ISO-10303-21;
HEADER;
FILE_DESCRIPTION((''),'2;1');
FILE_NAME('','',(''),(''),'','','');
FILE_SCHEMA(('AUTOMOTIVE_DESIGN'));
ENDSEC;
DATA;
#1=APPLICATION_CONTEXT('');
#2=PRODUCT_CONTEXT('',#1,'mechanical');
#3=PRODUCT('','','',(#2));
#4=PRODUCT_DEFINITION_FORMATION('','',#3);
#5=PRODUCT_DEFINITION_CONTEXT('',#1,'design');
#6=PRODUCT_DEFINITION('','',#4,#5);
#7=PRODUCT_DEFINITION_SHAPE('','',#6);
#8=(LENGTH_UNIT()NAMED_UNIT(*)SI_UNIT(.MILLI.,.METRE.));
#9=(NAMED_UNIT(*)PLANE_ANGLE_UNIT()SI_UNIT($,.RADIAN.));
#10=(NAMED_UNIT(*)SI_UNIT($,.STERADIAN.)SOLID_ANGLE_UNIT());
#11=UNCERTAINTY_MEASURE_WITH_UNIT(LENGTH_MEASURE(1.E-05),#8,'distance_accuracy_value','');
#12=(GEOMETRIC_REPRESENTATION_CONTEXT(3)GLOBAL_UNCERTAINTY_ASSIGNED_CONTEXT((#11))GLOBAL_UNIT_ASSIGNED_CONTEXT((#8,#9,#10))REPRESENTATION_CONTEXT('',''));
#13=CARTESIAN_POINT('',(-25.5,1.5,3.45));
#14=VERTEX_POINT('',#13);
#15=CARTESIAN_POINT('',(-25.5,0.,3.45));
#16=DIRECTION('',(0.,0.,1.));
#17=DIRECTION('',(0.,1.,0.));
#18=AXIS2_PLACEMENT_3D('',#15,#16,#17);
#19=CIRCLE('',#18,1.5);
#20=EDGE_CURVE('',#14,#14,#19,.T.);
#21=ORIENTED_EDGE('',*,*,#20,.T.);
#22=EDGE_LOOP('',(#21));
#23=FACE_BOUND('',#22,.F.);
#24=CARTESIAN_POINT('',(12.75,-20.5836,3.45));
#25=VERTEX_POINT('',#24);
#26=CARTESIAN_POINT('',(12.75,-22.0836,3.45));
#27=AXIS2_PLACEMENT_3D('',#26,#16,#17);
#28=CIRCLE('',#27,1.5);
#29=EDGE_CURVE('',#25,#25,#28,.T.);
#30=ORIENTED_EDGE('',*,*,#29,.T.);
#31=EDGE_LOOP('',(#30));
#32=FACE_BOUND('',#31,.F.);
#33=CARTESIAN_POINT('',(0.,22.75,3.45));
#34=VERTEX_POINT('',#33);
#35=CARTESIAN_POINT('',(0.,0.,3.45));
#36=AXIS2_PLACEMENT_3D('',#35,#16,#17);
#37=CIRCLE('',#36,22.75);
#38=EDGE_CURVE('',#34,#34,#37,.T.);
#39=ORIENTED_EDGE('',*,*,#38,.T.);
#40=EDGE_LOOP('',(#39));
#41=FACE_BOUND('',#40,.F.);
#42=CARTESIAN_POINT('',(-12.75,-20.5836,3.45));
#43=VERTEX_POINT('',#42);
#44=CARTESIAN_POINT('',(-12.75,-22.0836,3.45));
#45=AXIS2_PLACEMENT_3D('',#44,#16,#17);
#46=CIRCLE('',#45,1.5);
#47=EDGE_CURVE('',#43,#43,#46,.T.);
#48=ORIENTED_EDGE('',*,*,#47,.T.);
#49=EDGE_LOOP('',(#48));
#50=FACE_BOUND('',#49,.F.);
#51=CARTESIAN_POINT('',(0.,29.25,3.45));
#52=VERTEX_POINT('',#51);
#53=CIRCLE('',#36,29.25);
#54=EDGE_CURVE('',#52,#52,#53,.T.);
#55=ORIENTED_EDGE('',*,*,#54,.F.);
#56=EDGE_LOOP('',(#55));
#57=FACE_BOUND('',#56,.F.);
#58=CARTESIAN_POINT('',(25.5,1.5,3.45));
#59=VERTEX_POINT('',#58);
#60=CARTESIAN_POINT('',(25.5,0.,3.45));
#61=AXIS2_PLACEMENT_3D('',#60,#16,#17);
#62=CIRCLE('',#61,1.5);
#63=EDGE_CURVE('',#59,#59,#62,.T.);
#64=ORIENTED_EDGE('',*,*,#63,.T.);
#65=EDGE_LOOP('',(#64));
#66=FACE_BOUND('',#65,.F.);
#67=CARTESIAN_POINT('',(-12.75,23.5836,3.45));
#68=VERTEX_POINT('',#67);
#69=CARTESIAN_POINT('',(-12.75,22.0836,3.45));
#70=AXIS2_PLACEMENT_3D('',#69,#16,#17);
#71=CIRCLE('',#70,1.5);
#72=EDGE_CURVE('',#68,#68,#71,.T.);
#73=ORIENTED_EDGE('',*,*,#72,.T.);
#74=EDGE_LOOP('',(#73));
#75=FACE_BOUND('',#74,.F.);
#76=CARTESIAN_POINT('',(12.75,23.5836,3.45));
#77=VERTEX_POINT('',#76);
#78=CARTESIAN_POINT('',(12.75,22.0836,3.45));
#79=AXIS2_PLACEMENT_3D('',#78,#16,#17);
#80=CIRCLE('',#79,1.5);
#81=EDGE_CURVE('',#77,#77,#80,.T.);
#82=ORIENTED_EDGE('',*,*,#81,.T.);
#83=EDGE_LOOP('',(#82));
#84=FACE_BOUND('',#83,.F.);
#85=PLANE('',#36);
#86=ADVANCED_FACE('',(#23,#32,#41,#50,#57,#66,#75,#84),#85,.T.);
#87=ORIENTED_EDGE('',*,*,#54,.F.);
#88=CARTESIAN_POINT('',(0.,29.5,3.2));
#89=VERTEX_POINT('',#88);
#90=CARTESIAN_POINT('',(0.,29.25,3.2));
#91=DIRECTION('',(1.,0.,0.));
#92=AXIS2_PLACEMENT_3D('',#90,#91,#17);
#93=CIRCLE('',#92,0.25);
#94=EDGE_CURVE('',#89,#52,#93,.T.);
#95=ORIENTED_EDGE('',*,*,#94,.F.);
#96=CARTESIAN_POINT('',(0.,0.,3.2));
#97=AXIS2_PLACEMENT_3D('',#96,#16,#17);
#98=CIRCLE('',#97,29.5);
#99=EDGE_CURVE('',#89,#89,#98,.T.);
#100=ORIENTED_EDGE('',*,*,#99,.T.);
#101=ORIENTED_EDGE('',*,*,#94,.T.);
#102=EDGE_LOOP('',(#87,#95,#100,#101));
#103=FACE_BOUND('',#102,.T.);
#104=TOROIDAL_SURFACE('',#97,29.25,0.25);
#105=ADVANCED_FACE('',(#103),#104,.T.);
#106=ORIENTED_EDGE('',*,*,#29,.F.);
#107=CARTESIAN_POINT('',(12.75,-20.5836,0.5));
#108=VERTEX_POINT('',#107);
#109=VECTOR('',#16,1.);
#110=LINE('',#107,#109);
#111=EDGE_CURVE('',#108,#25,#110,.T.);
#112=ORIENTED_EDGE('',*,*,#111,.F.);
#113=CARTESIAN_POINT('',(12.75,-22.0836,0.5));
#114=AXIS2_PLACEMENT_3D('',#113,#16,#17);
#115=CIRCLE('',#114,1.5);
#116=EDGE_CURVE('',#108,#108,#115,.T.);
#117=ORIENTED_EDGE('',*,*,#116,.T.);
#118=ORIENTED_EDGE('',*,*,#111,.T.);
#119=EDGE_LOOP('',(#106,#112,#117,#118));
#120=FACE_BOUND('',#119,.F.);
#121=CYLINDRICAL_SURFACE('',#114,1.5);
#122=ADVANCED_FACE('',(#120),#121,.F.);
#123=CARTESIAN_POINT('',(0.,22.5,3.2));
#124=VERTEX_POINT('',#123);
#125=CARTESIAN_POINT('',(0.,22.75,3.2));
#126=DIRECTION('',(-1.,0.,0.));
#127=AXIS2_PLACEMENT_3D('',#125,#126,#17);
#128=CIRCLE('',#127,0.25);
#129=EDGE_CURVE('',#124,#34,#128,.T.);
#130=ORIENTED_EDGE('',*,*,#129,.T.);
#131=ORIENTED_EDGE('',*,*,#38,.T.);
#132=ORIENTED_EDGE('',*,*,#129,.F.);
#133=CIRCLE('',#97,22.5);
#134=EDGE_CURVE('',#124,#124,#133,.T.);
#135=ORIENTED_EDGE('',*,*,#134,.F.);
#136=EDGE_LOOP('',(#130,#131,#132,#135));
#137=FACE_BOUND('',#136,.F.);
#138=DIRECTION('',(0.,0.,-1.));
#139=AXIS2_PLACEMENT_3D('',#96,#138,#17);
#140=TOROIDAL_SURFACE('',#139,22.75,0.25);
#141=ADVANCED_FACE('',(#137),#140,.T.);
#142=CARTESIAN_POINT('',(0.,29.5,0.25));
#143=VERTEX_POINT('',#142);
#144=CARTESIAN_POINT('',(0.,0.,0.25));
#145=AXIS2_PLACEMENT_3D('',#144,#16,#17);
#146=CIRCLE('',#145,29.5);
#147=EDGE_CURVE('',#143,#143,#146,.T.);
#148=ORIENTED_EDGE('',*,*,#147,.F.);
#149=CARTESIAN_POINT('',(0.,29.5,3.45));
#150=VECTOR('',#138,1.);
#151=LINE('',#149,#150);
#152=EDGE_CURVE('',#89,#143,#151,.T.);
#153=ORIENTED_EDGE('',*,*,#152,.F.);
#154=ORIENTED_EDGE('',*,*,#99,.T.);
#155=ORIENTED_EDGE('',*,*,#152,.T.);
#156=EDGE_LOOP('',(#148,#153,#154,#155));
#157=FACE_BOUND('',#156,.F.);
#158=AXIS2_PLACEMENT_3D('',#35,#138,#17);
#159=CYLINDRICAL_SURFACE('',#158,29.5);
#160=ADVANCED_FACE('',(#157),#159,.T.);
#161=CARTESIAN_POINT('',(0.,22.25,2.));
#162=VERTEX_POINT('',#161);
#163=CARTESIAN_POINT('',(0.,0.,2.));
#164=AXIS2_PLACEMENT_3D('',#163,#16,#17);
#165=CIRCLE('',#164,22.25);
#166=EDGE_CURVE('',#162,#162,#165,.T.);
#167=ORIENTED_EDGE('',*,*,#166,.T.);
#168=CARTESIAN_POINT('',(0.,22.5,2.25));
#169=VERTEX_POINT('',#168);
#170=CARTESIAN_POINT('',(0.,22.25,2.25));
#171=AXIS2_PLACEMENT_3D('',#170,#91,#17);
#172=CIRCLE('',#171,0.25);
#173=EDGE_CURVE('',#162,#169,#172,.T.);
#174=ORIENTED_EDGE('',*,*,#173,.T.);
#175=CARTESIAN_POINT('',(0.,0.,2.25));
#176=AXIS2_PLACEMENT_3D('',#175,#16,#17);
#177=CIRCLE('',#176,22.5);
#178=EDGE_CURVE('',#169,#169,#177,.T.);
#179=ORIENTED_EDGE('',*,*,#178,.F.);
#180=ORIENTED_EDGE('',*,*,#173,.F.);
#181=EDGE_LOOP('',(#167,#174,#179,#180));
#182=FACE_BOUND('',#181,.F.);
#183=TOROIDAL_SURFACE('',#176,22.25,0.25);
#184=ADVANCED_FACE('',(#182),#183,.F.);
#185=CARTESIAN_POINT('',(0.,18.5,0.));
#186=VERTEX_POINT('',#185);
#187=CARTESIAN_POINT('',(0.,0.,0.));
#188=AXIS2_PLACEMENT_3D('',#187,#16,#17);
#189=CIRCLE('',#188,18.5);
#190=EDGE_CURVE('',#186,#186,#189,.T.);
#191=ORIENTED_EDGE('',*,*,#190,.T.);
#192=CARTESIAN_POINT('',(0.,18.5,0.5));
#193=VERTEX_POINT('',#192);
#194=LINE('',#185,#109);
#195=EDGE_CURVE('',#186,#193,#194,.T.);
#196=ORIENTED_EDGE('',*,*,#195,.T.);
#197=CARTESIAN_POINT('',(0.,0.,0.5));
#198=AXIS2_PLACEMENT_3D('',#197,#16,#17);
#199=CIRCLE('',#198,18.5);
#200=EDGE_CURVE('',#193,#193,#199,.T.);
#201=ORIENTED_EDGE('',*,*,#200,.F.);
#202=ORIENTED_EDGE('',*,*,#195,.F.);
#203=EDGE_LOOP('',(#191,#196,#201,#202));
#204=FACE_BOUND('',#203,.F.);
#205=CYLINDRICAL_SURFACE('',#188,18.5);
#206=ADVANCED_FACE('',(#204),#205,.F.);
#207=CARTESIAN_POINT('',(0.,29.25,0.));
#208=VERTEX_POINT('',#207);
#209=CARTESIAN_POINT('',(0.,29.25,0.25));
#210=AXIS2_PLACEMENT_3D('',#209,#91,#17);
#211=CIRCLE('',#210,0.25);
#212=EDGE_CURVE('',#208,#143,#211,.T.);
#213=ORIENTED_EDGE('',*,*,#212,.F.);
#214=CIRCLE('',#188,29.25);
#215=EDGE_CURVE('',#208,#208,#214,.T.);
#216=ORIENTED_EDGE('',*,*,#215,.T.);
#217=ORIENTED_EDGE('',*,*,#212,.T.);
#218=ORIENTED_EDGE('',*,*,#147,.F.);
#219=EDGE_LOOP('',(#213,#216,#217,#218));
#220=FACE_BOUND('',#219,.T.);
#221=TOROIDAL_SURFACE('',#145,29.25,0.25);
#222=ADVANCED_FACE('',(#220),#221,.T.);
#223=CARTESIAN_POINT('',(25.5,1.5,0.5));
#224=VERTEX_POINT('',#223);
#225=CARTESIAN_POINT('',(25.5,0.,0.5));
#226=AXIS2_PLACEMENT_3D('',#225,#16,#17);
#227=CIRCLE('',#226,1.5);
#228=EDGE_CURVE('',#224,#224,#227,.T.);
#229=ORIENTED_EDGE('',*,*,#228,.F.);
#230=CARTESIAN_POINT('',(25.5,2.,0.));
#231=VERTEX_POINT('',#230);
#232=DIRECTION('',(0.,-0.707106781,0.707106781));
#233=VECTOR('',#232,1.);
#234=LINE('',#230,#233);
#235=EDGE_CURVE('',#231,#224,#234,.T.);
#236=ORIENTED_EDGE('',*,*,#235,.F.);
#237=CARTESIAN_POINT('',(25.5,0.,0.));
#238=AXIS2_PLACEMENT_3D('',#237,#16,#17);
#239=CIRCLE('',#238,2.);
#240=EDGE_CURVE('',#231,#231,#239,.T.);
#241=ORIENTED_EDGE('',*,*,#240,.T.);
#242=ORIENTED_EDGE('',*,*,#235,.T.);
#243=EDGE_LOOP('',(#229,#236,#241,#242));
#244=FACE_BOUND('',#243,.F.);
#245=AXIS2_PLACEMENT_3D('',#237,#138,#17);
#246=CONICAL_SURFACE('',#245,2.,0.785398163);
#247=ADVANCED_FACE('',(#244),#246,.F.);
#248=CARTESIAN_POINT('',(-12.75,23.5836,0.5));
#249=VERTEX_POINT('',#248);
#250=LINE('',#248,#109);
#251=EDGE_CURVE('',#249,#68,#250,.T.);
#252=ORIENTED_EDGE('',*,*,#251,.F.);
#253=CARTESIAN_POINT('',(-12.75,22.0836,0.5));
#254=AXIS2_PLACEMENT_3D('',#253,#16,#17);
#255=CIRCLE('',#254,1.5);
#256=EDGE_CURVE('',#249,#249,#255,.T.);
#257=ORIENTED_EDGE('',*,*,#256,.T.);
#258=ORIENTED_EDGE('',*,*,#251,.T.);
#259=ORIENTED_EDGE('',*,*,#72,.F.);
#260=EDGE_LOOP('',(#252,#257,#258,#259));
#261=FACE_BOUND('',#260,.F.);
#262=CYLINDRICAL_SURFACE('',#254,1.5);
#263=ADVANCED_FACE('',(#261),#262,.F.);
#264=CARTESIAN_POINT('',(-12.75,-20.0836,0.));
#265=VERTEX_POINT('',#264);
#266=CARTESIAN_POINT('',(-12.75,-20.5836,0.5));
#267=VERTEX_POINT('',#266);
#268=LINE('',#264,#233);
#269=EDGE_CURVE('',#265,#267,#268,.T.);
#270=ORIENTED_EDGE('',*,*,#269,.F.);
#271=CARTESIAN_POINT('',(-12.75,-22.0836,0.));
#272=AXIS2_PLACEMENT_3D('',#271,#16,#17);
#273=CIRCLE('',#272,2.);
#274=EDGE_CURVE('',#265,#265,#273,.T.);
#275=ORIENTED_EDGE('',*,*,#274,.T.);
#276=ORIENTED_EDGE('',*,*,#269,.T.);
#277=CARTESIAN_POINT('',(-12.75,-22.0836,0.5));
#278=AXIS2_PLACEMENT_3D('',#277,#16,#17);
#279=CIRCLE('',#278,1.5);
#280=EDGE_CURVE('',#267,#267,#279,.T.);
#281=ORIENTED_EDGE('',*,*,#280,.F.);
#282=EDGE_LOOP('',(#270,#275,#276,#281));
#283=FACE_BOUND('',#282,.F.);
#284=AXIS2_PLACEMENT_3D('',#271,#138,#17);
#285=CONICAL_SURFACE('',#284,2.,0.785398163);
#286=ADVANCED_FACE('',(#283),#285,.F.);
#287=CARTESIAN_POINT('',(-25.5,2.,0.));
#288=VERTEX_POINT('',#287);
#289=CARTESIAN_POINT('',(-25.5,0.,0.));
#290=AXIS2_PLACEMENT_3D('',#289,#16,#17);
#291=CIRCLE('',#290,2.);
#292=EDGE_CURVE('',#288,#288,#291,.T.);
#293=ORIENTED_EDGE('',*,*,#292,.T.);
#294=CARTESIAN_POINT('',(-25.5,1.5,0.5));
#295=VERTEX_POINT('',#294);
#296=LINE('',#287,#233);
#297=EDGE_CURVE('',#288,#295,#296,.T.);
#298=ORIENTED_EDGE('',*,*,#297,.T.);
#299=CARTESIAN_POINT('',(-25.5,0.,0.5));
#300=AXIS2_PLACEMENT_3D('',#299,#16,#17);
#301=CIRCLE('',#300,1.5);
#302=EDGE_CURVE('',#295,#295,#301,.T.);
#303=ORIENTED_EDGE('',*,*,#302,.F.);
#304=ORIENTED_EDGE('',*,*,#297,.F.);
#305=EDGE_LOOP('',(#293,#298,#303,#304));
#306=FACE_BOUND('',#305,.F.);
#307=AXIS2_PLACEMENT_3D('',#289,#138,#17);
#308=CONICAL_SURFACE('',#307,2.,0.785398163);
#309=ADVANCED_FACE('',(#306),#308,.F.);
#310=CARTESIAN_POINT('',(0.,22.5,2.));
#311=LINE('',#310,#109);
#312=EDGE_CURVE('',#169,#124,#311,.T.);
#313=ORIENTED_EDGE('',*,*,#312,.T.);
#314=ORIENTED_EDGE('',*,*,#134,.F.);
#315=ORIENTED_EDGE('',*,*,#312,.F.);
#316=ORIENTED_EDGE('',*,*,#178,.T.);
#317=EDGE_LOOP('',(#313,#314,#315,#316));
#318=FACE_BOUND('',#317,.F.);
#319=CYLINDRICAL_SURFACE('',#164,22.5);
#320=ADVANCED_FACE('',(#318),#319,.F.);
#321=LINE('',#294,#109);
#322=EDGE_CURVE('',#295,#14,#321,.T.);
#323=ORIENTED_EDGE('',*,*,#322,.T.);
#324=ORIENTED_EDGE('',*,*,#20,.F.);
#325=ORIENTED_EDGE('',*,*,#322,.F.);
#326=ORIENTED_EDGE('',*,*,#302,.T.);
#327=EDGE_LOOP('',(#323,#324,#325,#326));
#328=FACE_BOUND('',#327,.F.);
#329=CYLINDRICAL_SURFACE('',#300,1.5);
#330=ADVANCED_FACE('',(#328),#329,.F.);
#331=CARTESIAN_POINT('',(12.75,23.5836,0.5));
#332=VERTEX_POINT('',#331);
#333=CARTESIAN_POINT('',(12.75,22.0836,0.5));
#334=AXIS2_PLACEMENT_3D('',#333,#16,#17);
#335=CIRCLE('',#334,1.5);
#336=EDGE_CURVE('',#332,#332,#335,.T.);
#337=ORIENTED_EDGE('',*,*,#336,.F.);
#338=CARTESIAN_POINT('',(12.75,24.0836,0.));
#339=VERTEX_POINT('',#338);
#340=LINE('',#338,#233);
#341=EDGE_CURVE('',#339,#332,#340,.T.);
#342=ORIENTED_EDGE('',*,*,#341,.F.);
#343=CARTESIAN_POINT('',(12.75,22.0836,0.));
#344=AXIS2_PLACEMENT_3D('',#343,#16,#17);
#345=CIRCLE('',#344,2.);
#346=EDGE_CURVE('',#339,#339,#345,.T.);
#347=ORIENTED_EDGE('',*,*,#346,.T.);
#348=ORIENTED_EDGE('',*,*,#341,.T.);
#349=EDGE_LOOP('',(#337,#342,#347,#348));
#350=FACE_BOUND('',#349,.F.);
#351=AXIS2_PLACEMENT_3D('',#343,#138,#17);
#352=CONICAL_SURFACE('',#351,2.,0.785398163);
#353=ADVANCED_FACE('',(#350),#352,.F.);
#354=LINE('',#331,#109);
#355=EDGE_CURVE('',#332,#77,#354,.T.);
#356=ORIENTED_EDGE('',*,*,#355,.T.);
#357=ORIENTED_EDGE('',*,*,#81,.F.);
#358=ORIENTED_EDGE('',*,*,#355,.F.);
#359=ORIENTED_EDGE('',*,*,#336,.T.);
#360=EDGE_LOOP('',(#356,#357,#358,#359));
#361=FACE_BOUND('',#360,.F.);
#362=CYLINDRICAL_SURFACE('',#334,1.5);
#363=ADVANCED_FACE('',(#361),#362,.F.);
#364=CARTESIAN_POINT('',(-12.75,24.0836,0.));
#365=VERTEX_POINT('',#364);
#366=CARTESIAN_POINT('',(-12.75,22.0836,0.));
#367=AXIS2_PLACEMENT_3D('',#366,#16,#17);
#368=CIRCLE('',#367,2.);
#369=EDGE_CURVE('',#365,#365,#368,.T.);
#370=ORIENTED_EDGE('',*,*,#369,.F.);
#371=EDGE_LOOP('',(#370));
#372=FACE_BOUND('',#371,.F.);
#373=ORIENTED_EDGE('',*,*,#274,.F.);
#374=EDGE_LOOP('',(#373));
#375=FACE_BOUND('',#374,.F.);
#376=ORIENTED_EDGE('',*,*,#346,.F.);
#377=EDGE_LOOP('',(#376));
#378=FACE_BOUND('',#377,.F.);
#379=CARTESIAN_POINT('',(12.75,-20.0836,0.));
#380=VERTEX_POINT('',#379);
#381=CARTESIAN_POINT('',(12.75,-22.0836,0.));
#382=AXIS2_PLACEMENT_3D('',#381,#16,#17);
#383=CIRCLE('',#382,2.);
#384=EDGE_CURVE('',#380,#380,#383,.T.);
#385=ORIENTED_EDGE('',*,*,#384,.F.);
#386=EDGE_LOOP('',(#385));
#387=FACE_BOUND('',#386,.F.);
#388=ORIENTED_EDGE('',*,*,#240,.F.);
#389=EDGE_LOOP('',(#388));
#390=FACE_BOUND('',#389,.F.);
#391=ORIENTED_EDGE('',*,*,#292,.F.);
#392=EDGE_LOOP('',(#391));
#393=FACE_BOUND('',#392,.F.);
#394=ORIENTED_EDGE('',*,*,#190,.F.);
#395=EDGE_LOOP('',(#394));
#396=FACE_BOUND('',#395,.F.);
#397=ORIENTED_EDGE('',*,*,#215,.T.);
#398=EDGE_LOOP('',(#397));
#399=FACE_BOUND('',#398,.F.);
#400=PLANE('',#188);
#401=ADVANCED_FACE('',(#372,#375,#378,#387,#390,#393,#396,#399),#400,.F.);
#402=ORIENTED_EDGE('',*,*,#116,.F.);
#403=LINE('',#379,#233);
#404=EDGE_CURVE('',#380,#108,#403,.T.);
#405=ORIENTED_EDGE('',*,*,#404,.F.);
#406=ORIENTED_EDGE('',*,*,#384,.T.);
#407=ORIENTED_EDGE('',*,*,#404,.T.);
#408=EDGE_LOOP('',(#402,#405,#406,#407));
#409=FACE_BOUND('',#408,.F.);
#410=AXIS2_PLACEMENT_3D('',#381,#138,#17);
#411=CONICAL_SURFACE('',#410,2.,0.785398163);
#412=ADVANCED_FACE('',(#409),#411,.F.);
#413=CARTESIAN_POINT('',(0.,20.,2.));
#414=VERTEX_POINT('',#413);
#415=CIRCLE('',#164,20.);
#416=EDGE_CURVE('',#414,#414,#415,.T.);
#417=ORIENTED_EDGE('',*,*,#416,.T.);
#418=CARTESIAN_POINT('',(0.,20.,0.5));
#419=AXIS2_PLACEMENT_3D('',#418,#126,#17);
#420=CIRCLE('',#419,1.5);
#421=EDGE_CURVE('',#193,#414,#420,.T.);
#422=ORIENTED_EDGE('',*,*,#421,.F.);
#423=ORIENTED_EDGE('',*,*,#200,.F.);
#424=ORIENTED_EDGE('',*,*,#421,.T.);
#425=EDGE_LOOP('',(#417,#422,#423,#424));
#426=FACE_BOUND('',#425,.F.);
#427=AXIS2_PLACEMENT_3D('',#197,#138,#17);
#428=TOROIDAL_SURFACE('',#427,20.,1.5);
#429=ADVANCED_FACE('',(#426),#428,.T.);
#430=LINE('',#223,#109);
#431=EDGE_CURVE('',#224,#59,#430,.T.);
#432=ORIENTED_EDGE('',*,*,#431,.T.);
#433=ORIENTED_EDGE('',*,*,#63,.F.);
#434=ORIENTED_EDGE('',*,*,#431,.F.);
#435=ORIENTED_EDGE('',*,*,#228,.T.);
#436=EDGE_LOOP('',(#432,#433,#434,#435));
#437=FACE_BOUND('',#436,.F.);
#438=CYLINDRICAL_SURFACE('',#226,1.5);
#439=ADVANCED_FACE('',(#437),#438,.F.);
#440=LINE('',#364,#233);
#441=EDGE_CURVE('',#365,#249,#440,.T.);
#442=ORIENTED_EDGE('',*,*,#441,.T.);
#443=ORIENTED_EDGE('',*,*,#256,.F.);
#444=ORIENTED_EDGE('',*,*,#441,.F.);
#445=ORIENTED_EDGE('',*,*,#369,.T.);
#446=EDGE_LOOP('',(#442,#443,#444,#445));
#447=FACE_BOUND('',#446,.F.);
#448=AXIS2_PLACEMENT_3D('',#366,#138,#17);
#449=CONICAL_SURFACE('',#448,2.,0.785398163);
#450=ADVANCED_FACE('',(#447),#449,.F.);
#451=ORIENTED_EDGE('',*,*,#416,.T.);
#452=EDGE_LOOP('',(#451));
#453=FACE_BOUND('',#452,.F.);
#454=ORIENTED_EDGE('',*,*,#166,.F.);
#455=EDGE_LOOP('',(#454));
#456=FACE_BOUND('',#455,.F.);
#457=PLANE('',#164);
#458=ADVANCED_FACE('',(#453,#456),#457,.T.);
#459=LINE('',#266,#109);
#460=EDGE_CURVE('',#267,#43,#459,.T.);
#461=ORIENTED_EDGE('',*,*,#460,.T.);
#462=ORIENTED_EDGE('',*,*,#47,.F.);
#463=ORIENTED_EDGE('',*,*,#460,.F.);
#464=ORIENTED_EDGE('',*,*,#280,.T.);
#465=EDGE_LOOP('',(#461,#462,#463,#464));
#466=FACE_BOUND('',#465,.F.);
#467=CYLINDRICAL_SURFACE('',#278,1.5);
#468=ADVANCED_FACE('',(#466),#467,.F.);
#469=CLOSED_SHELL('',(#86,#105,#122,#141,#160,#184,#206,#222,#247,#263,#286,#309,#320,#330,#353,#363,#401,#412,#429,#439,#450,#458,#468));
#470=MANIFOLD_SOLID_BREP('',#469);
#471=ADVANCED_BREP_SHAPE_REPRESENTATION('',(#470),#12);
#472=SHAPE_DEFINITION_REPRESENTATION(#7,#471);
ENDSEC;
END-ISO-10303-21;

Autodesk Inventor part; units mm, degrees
ref_plane "YZ Plane" through (0, 0, 0) normal (1, 0, 0) x (0, 1, 0)
ref_plane "XZ Plane" through (0, 0, 0) normal (0, 1, 0) x (-1, 0, 0)
ref_plane "XY Plane" through (0, 0, 0) normal (0, 0, 1) x (1, 0, 0)
sketch "Skizze1" plane through (0, 0, 0) normal (1, 0, 0) x (0, 1, 0)
  line L0 (0, 0) -> (0, 15)
  line L1 (18.5, 0) -> (18.5, 2)
  line L2 (18.5, 2) -> (22.5, 2)
  line L3 (22.5, 2) -> (22.5, 3.45)
  line L4 (22.5, 3.45) -> (29.5, 3.45)
  line L5 (29.5, 3.45) -> (29.5, 0)
  line L6 (29.5, 0) -> (18.5, 0)
  point P0 (24, 0)
  dimension "d0" = 15
  dimension "d1" = 45
  dimension "d2" = 7
  dimension "d3" = 37
  dimension "d24" = 2
  dimension "d25" = 1.45
revolve "Umdrehung1" add sketch "Skizze1" angle 360 about axis through (0, 0, 0) along (0, 0, 1)
sketch "Skizze2" plane through (0, 0, 0) normal (0, 0, -1) x (-1, 0, 0)
  circle A0 centre (0, 0) radius 18.5 construction
  circle A1 centre (0, 0) radius 29.5 construction
  circle A2 centre (0, 0) radius 25.5 construction
  circle A3 centre (0, 0) radius 22.5 construction
  point P0 (-25.5, 0)
  point P1 (-12.75, -22.0836)
  point P2 (12.75, -22.0836)
  point P3 (25.5, 0)
  point P4 (12.75, 22.0836)
  point P5 (-12.75, 22.0836)
  dimension "d9" = 51
  dimension "d8" = 59
  dimension "d12" = 360
  dimension "d14" = 45
hole "Bohrung1" at (25.5, 0, 0) at (12.75, -22.0836, 0) at (-12.75, -22.0836, 0) at (-25.5, 0, 0) at (-12.75, 22.0836, 0) at (12.75, 22.0836, 0) direction (0, 0, 1) diameter 3 end through all countersink diameter 4 countersink angle 90
fillet "Rundung1" radius 0.25 4 edges at (0, -22.5, 2) (0, -29.5, 3.45) (0, -29.5, 0) (0, -22.5, 3.45)
fillet "Rundung1" radius 1.5 1 edges at (0, -18.5, 2)
properties part number "Kugel_unten_Deckel_Membran" material "ABS-Kunststoff"
